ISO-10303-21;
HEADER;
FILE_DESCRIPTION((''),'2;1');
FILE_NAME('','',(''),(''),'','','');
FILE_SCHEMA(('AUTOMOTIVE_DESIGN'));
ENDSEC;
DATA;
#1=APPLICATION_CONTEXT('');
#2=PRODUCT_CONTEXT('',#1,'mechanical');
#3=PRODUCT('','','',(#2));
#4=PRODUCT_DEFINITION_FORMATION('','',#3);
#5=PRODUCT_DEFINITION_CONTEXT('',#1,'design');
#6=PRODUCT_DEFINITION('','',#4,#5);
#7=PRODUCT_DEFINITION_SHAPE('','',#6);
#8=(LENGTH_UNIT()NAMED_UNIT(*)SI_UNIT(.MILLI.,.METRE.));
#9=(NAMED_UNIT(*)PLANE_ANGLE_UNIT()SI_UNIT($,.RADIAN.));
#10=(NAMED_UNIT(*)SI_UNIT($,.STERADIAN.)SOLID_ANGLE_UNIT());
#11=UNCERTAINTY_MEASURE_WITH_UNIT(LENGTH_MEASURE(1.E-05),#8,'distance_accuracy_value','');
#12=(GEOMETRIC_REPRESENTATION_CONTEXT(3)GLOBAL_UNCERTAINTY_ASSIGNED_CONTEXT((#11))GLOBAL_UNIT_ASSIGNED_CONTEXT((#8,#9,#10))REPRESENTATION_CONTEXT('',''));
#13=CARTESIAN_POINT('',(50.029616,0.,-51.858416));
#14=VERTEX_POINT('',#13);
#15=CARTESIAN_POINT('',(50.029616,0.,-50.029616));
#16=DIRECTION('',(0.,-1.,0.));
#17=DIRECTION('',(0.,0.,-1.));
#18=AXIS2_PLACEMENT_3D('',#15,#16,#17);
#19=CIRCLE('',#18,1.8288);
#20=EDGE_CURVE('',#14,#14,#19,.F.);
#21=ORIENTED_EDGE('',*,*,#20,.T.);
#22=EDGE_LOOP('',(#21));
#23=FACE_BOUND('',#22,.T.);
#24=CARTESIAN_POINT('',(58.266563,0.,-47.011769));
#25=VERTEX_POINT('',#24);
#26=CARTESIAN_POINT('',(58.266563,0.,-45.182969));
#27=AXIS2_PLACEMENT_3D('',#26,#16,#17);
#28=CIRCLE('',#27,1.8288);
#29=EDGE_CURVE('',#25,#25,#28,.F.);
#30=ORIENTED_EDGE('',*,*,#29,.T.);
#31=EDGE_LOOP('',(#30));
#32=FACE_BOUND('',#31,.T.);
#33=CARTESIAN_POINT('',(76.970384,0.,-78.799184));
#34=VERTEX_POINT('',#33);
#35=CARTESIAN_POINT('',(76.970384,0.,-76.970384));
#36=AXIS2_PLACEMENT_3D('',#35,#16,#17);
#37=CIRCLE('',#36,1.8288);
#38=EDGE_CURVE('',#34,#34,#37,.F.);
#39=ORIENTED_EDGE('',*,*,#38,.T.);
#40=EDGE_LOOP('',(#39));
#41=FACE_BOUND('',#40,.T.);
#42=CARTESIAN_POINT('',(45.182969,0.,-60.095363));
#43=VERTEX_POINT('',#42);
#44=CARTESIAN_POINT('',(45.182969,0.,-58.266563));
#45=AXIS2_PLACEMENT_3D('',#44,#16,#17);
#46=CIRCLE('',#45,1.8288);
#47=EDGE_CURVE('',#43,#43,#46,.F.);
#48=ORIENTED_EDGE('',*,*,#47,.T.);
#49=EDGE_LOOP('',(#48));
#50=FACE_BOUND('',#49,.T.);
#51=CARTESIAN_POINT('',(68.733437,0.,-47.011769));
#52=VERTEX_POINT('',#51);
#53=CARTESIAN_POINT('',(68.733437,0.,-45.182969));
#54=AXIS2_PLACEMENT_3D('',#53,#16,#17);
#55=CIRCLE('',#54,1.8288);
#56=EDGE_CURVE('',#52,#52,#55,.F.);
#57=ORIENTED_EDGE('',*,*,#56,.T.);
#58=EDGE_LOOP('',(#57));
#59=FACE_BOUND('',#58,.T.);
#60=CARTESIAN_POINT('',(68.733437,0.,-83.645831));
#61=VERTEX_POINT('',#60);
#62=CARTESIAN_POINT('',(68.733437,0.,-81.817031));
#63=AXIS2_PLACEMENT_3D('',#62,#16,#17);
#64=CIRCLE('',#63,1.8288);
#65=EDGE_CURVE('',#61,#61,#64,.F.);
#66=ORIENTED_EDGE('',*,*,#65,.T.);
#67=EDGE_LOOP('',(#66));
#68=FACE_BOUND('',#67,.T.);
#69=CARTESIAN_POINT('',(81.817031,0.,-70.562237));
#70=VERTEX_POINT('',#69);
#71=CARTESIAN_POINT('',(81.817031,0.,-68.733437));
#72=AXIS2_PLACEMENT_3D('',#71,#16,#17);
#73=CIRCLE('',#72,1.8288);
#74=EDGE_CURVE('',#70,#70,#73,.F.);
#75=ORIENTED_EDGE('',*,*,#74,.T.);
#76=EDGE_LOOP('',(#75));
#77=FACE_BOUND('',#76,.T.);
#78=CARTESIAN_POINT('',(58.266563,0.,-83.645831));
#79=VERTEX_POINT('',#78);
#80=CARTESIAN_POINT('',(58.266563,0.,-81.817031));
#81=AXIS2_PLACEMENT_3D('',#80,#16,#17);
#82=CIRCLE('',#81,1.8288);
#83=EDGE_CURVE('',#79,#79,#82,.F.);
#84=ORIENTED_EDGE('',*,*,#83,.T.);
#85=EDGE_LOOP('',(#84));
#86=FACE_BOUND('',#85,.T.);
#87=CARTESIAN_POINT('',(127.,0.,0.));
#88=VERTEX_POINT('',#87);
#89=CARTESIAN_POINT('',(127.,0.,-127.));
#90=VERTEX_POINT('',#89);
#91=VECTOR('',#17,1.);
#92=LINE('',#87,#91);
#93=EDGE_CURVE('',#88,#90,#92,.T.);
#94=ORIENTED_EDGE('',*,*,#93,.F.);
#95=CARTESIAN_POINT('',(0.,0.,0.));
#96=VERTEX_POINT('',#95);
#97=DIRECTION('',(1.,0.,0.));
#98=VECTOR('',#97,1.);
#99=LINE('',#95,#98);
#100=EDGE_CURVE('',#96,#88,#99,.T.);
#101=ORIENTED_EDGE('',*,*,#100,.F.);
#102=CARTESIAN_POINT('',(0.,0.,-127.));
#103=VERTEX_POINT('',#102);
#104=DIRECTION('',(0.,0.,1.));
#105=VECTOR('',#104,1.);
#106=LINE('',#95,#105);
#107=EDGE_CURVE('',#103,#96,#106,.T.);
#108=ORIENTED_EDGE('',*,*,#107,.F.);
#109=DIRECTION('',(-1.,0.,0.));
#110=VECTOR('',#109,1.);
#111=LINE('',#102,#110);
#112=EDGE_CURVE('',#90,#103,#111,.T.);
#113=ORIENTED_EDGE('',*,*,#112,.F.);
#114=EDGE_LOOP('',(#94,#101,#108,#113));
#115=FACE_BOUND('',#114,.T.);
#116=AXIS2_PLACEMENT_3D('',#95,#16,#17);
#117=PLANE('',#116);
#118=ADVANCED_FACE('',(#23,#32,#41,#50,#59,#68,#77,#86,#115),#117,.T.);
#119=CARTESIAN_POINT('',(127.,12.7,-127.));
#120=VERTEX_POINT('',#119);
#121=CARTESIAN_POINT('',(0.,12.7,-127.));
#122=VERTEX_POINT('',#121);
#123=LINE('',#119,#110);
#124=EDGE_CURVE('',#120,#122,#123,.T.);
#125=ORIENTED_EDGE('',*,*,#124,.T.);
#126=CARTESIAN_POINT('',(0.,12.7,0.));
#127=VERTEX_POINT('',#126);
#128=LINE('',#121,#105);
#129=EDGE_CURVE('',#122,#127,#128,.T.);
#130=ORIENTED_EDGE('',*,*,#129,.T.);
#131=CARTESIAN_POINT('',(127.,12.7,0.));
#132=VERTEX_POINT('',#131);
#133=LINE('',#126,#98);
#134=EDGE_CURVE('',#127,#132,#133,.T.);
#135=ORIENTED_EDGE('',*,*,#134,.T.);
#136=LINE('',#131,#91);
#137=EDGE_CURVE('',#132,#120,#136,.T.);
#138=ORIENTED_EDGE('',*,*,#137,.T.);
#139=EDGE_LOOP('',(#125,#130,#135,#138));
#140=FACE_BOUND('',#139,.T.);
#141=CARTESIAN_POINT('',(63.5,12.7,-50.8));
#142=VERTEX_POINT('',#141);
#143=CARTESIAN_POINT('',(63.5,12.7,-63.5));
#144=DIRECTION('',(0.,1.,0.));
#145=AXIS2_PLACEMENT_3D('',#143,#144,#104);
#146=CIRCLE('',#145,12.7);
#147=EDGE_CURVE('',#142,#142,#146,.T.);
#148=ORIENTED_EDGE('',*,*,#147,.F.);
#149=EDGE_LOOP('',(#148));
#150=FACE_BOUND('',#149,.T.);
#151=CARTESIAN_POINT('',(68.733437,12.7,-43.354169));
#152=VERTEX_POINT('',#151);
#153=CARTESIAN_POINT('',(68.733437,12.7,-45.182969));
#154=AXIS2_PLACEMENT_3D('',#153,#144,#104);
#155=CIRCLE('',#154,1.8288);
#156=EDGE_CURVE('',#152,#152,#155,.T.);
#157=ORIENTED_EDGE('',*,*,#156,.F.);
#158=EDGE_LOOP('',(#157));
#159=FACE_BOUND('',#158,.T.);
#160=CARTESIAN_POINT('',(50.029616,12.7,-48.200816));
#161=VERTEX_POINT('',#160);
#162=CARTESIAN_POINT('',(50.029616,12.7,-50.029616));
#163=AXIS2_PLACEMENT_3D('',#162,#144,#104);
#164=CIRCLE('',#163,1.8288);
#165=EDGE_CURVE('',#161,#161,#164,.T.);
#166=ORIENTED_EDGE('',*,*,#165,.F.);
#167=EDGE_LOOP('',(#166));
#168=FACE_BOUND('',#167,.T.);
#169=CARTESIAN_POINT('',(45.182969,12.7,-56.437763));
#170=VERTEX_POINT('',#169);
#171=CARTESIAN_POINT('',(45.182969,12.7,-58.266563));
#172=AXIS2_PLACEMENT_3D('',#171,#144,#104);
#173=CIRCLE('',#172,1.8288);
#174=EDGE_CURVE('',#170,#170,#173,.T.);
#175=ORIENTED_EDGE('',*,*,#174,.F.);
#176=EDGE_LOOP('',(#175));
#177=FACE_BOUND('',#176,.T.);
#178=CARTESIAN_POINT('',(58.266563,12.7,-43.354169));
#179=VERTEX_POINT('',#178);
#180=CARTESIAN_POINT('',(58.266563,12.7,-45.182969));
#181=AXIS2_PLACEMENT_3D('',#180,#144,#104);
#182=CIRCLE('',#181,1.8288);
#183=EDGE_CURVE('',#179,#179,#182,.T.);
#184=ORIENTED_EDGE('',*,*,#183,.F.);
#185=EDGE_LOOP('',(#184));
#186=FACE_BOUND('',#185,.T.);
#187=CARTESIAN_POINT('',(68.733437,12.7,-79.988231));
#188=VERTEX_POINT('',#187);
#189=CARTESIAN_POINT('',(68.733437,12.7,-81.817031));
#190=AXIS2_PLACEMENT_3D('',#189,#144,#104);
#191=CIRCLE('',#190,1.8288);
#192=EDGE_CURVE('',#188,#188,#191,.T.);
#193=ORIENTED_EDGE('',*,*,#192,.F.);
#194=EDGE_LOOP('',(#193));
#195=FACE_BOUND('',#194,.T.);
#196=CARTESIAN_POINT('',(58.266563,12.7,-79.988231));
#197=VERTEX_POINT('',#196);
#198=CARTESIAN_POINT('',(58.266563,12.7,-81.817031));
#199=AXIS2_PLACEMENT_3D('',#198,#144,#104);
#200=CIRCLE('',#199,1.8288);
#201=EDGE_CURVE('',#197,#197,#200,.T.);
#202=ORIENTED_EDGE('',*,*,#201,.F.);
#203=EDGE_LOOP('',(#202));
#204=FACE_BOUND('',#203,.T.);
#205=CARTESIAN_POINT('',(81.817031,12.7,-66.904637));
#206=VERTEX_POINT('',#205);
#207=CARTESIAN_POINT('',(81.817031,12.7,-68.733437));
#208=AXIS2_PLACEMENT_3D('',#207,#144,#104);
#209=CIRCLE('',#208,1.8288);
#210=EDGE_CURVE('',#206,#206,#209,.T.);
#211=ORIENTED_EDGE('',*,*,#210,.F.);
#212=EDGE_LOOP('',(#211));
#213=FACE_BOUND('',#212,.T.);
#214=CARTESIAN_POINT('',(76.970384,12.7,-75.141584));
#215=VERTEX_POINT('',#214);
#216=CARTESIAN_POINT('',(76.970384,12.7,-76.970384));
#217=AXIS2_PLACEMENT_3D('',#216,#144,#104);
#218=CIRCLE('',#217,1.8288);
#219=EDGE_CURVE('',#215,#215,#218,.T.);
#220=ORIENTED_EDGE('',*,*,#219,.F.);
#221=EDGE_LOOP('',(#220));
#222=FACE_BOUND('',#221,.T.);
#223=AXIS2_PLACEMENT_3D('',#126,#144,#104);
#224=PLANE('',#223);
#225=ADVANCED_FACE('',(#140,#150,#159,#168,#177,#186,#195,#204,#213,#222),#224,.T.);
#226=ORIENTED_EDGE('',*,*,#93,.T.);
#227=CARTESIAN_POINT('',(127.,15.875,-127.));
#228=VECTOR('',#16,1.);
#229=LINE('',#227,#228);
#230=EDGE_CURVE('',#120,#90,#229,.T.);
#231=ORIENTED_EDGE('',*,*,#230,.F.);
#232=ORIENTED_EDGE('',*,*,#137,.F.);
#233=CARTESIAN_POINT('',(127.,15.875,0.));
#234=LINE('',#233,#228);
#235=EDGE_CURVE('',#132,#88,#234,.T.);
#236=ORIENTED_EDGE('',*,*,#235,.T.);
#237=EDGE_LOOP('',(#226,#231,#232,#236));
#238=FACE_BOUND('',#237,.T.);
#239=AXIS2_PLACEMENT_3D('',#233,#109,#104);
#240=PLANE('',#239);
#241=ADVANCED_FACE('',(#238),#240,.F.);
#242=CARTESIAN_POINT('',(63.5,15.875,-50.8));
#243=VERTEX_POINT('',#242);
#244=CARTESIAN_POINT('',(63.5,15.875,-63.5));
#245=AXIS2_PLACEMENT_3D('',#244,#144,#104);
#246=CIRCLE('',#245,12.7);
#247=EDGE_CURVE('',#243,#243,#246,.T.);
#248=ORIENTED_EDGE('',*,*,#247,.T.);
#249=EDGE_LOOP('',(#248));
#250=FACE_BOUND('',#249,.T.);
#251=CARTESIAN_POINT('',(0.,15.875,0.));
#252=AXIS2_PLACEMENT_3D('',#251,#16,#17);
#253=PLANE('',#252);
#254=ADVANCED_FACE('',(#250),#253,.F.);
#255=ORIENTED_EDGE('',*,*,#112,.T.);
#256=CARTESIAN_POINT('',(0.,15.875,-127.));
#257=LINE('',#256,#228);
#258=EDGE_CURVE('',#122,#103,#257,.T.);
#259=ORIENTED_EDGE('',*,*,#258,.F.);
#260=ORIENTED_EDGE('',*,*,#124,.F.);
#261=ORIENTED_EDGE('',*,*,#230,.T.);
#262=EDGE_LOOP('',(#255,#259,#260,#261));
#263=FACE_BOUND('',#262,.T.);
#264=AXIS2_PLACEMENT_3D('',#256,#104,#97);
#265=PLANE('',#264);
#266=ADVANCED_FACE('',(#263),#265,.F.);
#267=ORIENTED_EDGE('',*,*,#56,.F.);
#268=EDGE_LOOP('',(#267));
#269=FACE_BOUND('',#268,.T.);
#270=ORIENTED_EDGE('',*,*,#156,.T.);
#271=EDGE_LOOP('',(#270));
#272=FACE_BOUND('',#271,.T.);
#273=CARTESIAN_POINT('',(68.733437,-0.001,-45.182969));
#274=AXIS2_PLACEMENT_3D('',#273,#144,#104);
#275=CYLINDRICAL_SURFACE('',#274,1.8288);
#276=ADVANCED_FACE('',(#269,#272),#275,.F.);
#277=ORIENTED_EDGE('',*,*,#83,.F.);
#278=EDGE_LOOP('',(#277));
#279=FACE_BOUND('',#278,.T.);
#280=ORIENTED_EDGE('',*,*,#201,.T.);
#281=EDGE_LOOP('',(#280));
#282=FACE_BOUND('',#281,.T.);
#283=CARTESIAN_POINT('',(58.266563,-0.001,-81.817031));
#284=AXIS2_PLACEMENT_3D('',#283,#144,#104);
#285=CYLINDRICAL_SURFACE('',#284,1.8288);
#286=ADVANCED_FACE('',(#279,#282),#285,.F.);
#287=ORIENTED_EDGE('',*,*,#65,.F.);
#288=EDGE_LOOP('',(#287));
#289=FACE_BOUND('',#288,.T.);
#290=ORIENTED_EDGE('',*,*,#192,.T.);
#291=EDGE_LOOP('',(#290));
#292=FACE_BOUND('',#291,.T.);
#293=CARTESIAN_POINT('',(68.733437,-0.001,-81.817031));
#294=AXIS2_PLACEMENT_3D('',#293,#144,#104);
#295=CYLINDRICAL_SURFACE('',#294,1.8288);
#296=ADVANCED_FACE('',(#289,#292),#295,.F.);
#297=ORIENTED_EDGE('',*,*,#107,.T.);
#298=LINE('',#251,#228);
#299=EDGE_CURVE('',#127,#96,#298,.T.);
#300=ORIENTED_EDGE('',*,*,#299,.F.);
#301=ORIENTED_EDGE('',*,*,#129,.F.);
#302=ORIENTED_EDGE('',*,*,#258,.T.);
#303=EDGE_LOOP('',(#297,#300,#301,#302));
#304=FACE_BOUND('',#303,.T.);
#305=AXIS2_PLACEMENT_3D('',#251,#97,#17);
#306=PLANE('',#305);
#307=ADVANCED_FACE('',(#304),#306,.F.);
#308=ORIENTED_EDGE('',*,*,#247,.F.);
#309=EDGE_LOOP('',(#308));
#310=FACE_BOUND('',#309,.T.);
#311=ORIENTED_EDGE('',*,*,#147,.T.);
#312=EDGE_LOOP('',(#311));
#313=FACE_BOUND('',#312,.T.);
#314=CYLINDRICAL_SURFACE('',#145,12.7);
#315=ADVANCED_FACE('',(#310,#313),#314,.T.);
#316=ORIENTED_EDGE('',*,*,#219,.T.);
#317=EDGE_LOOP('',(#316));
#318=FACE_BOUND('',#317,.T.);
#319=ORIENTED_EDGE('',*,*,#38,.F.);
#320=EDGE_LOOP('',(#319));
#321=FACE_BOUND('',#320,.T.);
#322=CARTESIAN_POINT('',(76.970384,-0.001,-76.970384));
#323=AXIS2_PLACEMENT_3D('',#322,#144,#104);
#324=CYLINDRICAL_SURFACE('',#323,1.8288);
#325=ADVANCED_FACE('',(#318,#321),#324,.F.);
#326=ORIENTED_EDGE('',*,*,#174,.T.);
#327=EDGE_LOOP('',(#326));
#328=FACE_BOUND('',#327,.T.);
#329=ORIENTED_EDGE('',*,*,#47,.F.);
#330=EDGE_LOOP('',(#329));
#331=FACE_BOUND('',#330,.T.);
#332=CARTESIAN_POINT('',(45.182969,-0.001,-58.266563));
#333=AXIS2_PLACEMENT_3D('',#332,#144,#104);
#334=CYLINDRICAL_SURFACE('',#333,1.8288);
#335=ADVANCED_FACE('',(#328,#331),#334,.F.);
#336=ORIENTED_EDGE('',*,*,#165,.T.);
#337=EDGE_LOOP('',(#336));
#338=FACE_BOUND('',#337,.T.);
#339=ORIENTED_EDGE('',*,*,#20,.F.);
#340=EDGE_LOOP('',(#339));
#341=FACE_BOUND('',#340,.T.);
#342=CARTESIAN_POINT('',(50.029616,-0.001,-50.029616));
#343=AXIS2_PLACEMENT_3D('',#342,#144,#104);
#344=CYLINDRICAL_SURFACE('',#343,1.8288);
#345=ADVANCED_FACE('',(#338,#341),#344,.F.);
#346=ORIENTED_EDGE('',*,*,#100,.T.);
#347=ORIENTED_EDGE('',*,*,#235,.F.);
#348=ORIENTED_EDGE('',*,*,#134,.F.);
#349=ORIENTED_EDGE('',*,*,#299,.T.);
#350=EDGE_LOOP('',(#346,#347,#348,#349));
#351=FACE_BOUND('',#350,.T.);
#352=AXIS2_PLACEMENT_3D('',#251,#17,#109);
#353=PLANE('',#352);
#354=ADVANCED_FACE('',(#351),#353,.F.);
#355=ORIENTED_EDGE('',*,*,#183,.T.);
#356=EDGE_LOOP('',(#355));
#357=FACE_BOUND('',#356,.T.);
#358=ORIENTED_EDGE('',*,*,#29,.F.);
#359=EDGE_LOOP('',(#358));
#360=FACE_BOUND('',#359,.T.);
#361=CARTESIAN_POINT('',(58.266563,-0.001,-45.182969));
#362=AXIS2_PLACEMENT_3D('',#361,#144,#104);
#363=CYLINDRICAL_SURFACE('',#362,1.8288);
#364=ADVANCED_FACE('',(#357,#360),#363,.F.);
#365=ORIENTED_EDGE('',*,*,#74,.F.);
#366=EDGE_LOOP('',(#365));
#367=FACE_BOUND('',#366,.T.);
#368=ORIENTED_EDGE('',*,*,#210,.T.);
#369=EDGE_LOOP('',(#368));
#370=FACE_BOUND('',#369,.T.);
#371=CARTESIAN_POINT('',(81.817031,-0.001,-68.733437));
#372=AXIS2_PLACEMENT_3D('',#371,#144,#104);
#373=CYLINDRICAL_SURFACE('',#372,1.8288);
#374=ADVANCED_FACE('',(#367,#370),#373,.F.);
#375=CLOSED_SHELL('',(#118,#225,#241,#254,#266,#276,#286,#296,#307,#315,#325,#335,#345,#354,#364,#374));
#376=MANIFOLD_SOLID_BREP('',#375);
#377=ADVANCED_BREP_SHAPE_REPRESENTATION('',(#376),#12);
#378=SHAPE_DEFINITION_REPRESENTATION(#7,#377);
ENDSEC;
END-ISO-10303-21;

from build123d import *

# Parameters (mm, degrees)
SKETCH3_W           = 127
SKETCH3_H           = 127
BOSS_EXTRUDE1_DEPTH = 15.875
SKETCH4_W           = 127
SKETCH4_H           = 127
SKETCH4_R           = 12.7
CUT_EXTRUDE1_DEPTH  = 3.175
CUT_EXTRUDE2_REACH  = 182.054
SKETCH5_R           = 1.8288
CUT_EXTRUDE3_REACH  = 182.054
SKETCH9_R           = 1.8288
CUT_EXTRUDE4_REACH  = 182.054
SKETCH10_R          = 1.8288


with BuildPart() as part:
    # Sketch3 → Boss-Extrude1 (new body)
    with BuildSketch(Plane(origin=(0, 0, 0), x_dir=(1, 0, 0), z_dir=(0, 1, 0))):
        with Locations((63.5, 63.5)):
            Rectangle(SKETCH3_W, SKETCH3_H)
    extrude(amount=BOSS_EXTRUDE1_DEPTH)

    # Sketch4 → Cut-Extrude1 (cut)
    with BuildSketch(Plane(origin=(0, 15.875, 0), x_dir=(1, 0, 0), z_dir=(0, 1, 0))):
        with Locations((63.5, 63.5)):
            Rectangle(SKETCH4_W, SKETCH4_H)
        with Locations((63.5, 63.5)):
            Circle(SKETCH4_R, mode=Mode.SUBTRACT)
    extrude(amount=-CUT_EXTRUDE1_DEPTH, mode=Mode.SUBTRACT)

    # Sketch5 → Cut-Extrude2 (cut, up to next)
    with BuildSketch(Plane(origin=(0, 12.7, 0), x_dir=(1, 0, 0), z_dir=(0, 1, 0)), mode=Mode.PRIVATE) as cut_extrude2_sk1:
        with Locations((45.182968797, 58.266562514)):
            Circle(SKETCH5_R)
    cut_extrude2_tool1 = extrude(cut_extrude2_sk1.sketch, amount=-CUT_EXTRUDE2_REACH, mode=Mode.PRIVATE) & part.part
    # Sketch5 → Cut-Extrude2 (cut, up to next)
    with BuildSketch(Plane(origin=(0, 12.7, 0), x_dir=(1, 0, 0), z_dir=(0, 1, 0)), mode=Mode.PRIVATE) as cut_extrude2_sk2:
        with Locations((68.733437486, 45.182968797)):
            Circle(SKETCH5_R)
    cut_extrude2_tool2 = extrude(cut_extrude2_sk2.sketch, amount=-CUT_EXTRUDE2_REACH, mode=Mode.PRIVATE) & part.part
    # Sketch5 → Cut-Extrude2 (cut, up to next)
    with BuildSketch(Plane(origin=(0, 12.7, 0), x_dir=(1, 0, 0), z_dir=(0, 1, 0)), mode=Mode.PRIVATE) as cut_extrude2_sk3:
        with Locations((81.817031203, 68.733437486)):
            Circle(SKETCH5_R)
    cut_extrude2_tool3 = extrude(cut_extrude2_sk3.sketch, amount=-CUT_EXTRUDE2_REACH, mode=Mode.PRIVATE) & part.part
    # Sketch5 → Cut-Extrude2 (cut, up to next)
    with BuildSketch(Plane(origin=(0, 12.7, 0), x_dir=(1, 0, 0), z_dir=(0, 1, 0)), mode=Mode.PRIVATE) as cut_extrude2_sk4:
        with Locations((58.266562514, 81.817031203)):
            Circle(SKETCH5_R)
    cut_extrude2_tool4 = extrude(cut_extrude2_sk4.sketch, amount=-CUT_EXTRUDE2_REACH, mode=Mode.PRIVATE) & part.part
    add(cut_extrude2_tool1.solids().sort_by_distance((45.182969, 12.7, -58.266563))[0], mode=Mode.SUBTRACT)
    add(cut_extrude2_tool2.solids().sort_by_distance((68.733437, 12.7, -45.182969))[0], mode=Mode.SUBTRACT)
    add(cut_extrude2_tool3.solids().sort_by_distance((81.817031, 12.7, -68.733437))[0], mode=Mode.SUBTRACT)
    add(cut_extrude2_tool4.solids().sort_by_distance((58.266563, 12.7, -81.817031))[0], mode=Mode.SUBTRACT)

    # Sketch9 → Cut-Extrude3 (cut, up to next)
    with BuildSketch(Plane(origin=(0, 12.7, 0), x_dir=(1, 0, 0), z_dir=(0, 1, 0)), mode=Mode.PRIVATE) as cut_extrude3_sk1:
        with Locations((68.733437486, 81.817031203)):
            Circle(SKETCH9_R)
    cut_extrude3_tool1 = extrude(cut_extrude3_sk1.sketch, amount=-CUT_EXTRUDE3_REACH, mode=Mode.PRIVATE) & part.part
    # Sketch9 → Cut-Extrude3 (cut, up to next)
    with BuildSketch(Plane(origin=(0, 12.7, 0), x_dir=(1, 0, 0), z_dir=(0, 1, 0)), mode=Mode.PRIVATE) as cut_extrude3_sk2:
        with Locations((58.266562514, 45.182968797)):
            Circle(SKETCH9_R)
    cut_extrude3_tool2 = extrude(cut_extrude3_sk2.sketch, amount=-CUT_EXTRUDE3_REACH, mode=Mode.PRIVATE) & part.part
    add(cut_extrude3_tool1.solids().sort_by_distance((68.733437, 12.7, -81.817031))[0], mode=Mode.SUBTRACT)
    add(cut_extrude3_tool2.solids().sort_by_distance((58.266563, 12.7, -45.182969))[0], mode=Mode.SUBTRACT)

    # Sketch10 → Cut-Extrude4 (cut, up to next)
    with BuildSketch(Plane(origin=(0, 12.7, 0), x_dir=(1, 0, 0), z_dir=(0, 1, 0)), mode=Mode.PRIVATE) as cut_extrude4_sk1:
        with Locations((76.970384182, 76.970384182)):
            Circle(SKETCH10_R)
    cut_extrude4_tool1 = extrude(cut_extrude4_sk1.sketch, amount=-CUT_EXTRUDE4_REACH, mode=Mode.PRIVATE) & part.part
    # Sketch10 → Cut-Extrude4 (cut, up to next)
    with BuildSketch(Plane(origin=(0, 12.7, 0), x_dir=(1, 0, 0), z_dir=(0, 1, 0)), mode=Mode.PRIVATE) as cut_extrude4_sk2:
        with Locations((50.029615818, 50.029615818)):
            Circle(SKETCH10_R)
    cut_extrude4_tool2 = extrude(cut_extrude4_sk2.sketch, amount=-CUT_EXTRUDE4_REACH, mode=Mode.PRIVATE) & part.part
    add(cut_extrude4_tool1.solids().sort_by_distance((76.970384, 12.7, -76.970384))[0], mode=Mode.SUBTRACT)
    add(cut_extrude4_tool2.solids().sort_by_distance((50.029616, 12.7, -50.029616))[0], mode=Mode.SUBTRACT)


solid = part.part
